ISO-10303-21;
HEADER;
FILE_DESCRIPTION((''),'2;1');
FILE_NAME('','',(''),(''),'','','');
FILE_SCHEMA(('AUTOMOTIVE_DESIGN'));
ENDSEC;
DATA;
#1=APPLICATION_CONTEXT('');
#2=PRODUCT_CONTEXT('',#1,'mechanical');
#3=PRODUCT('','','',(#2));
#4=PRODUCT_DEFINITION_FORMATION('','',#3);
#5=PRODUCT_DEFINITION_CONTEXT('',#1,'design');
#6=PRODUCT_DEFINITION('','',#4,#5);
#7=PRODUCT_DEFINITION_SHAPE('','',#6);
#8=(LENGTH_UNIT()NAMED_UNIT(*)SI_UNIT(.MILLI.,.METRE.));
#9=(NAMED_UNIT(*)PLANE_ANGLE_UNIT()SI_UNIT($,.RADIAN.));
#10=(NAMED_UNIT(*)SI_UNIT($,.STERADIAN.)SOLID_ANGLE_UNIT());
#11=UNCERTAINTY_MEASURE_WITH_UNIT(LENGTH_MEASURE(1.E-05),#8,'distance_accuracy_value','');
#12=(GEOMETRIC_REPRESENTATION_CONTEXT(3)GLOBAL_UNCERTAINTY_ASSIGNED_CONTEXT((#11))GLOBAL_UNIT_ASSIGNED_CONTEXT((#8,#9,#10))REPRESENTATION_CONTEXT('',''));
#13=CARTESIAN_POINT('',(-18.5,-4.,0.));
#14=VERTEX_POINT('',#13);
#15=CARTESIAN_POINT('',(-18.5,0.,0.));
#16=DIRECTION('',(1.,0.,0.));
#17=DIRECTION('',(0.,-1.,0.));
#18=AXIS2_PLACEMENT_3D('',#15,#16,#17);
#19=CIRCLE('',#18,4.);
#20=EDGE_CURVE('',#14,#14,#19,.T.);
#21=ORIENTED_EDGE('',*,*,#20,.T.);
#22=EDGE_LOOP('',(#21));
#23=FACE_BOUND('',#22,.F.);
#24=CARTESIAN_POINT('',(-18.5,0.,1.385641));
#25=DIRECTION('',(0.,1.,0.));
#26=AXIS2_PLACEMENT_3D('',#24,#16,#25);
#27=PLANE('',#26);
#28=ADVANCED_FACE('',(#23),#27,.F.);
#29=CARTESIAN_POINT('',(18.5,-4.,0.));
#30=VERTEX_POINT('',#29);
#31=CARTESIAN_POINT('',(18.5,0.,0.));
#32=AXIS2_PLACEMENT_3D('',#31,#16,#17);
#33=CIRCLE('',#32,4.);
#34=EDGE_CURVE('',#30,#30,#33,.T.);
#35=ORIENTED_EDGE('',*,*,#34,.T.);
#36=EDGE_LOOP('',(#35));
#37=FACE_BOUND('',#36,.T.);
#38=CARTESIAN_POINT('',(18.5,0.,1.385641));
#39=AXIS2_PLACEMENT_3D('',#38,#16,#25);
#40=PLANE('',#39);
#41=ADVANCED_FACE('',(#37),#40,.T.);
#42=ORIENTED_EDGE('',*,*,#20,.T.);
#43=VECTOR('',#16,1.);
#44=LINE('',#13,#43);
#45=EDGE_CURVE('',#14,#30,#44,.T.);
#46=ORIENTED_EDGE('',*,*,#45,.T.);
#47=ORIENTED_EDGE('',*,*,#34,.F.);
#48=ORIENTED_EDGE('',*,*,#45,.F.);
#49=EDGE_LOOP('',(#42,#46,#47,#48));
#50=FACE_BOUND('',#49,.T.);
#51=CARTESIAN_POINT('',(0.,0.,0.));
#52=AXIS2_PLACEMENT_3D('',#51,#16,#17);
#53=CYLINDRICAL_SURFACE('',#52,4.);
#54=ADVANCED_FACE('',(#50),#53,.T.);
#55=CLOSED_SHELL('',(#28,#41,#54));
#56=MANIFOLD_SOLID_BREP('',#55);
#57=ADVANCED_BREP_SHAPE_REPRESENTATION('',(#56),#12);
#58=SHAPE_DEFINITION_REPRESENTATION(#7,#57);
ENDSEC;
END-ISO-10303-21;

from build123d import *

# Parameters (mm, degrees)
F1_DEPTH = 18.5


with BuildPart() as f1:
    # F0 (on Right) → F1 (new body, symmetric)
    with BuildSketch(Plane.YZ):
        with BuildLine():
            Line((-4, 0), (4, 0))
            ThreePointArc((4, 0), (0, 4), (-4, 0))
        make_face()
        with BuildLine():
            ThreePointArc((-4, 0), (0, -4), (4, 0))
            Line((4, 0), (-4, 0))
        make_face()
    extrude(amount=F1_DEPTH, both=True)


solid = f1.part
